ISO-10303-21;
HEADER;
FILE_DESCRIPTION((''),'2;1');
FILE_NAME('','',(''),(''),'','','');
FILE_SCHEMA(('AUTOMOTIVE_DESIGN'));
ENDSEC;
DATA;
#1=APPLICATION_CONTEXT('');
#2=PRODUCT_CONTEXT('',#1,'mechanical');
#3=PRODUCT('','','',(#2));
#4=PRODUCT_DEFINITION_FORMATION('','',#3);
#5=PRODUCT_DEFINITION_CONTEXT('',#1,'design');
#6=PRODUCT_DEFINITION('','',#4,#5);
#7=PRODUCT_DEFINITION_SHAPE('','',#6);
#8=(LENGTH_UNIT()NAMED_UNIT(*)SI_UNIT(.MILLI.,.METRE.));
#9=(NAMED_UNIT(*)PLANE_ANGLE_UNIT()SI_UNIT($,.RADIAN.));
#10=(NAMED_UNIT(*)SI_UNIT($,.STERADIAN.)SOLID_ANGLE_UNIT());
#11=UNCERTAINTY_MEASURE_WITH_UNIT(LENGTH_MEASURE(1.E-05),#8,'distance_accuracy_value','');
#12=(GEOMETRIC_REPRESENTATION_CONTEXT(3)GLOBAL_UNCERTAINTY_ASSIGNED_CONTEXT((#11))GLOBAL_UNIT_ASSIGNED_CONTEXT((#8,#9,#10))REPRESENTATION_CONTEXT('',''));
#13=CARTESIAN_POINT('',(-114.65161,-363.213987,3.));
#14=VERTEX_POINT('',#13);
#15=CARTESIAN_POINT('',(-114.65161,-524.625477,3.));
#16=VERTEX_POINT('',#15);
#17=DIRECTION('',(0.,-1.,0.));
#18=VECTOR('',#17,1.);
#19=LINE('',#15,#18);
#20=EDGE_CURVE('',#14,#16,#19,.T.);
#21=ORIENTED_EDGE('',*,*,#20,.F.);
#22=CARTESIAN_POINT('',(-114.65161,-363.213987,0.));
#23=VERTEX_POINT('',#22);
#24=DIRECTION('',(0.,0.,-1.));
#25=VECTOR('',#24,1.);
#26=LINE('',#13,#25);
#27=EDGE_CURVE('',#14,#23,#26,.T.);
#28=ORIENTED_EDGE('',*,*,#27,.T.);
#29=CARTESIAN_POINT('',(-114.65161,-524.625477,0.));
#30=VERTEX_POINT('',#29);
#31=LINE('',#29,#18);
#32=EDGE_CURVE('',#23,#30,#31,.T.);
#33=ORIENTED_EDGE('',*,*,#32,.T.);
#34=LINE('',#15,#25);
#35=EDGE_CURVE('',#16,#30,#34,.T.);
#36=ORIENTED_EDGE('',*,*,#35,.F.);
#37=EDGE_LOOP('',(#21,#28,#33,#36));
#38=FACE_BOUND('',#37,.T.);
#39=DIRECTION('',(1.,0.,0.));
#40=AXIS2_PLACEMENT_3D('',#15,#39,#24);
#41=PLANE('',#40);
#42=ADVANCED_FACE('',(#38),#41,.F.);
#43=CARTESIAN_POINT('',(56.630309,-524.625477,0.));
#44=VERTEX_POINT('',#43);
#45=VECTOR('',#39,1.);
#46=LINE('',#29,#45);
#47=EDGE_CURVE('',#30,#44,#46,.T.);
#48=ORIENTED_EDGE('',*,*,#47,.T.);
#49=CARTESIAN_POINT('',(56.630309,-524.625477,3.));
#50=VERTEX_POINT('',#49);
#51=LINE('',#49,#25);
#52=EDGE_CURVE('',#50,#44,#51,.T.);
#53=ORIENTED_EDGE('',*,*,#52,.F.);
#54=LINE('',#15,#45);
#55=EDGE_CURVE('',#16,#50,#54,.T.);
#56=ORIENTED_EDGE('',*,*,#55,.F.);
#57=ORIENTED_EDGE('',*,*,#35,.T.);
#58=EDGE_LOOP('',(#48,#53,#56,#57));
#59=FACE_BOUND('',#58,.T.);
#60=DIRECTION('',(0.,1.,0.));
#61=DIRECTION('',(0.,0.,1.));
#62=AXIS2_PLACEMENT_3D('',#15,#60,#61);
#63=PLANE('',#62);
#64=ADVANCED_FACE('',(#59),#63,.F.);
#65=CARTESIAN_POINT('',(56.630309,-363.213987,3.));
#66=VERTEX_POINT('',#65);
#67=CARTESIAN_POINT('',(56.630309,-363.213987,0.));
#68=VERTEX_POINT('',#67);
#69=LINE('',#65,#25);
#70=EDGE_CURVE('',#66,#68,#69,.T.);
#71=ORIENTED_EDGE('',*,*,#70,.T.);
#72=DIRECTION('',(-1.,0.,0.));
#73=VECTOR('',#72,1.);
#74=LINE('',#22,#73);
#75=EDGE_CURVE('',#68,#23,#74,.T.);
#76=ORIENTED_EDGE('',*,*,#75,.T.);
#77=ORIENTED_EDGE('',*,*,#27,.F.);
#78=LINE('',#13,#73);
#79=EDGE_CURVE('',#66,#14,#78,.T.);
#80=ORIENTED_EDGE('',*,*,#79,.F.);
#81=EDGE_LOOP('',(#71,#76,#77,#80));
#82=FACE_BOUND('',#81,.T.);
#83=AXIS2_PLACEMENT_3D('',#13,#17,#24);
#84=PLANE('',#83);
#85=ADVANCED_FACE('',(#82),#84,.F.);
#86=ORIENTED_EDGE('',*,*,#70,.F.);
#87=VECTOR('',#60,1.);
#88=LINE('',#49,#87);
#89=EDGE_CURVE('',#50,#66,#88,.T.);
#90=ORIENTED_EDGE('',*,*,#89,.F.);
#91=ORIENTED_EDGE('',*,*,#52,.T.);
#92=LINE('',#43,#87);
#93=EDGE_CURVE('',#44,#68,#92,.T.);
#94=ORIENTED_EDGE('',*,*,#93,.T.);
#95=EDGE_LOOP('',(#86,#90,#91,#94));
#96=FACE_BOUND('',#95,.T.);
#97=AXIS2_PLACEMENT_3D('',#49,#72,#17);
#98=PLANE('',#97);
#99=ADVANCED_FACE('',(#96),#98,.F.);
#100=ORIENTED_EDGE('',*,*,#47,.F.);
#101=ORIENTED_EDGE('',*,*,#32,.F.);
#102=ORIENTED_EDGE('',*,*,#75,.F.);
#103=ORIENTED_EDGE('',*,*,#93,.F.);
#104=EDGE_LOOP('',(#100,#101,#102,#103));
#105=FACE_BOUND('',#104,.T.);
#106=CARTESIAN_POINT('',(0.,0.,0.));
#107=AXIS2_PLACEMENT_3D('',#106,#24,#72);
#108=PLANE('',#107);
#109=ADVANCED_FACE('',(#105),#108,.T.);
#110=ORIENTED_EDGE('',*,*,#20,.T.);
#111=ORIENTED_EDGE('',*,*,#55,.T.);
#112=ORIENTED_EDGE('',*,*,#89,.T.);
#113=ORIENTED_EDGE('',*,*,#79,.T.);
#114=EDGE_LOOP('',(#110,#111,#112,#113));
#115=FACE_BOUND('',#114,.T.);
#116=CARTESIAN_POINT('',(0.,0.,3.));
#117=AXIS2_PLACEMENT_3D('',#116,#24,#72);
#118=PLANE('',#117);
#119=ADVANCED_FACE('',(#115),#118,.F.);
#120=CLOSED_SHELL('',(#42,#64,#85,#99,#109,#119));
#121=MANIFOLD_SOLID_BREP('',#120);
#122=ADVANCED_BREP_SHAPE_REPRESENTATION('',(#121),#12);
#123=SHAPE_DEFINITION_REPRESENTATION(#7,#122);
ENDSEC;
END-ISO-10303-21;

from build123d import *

# Parameters (mm, degrees)
SKETCH1_W           = 171.281919143
SKETCH1_H           = 161.411490283
BOSS_EXTRUDE1_DEPTH = 3


with BuildPart() as part:
    # Sketch1 → Boss-Extrude1 (new body)
    with BuildSketch(Plane.XY):
        with Locations((-29.010650556, -443.919731954)):
            Rectangle(SKETCH1_W, SKETCH1_H)
    extrude(amount=BOSS_EXTRUDE1_DEPTH)


solid = part.part
